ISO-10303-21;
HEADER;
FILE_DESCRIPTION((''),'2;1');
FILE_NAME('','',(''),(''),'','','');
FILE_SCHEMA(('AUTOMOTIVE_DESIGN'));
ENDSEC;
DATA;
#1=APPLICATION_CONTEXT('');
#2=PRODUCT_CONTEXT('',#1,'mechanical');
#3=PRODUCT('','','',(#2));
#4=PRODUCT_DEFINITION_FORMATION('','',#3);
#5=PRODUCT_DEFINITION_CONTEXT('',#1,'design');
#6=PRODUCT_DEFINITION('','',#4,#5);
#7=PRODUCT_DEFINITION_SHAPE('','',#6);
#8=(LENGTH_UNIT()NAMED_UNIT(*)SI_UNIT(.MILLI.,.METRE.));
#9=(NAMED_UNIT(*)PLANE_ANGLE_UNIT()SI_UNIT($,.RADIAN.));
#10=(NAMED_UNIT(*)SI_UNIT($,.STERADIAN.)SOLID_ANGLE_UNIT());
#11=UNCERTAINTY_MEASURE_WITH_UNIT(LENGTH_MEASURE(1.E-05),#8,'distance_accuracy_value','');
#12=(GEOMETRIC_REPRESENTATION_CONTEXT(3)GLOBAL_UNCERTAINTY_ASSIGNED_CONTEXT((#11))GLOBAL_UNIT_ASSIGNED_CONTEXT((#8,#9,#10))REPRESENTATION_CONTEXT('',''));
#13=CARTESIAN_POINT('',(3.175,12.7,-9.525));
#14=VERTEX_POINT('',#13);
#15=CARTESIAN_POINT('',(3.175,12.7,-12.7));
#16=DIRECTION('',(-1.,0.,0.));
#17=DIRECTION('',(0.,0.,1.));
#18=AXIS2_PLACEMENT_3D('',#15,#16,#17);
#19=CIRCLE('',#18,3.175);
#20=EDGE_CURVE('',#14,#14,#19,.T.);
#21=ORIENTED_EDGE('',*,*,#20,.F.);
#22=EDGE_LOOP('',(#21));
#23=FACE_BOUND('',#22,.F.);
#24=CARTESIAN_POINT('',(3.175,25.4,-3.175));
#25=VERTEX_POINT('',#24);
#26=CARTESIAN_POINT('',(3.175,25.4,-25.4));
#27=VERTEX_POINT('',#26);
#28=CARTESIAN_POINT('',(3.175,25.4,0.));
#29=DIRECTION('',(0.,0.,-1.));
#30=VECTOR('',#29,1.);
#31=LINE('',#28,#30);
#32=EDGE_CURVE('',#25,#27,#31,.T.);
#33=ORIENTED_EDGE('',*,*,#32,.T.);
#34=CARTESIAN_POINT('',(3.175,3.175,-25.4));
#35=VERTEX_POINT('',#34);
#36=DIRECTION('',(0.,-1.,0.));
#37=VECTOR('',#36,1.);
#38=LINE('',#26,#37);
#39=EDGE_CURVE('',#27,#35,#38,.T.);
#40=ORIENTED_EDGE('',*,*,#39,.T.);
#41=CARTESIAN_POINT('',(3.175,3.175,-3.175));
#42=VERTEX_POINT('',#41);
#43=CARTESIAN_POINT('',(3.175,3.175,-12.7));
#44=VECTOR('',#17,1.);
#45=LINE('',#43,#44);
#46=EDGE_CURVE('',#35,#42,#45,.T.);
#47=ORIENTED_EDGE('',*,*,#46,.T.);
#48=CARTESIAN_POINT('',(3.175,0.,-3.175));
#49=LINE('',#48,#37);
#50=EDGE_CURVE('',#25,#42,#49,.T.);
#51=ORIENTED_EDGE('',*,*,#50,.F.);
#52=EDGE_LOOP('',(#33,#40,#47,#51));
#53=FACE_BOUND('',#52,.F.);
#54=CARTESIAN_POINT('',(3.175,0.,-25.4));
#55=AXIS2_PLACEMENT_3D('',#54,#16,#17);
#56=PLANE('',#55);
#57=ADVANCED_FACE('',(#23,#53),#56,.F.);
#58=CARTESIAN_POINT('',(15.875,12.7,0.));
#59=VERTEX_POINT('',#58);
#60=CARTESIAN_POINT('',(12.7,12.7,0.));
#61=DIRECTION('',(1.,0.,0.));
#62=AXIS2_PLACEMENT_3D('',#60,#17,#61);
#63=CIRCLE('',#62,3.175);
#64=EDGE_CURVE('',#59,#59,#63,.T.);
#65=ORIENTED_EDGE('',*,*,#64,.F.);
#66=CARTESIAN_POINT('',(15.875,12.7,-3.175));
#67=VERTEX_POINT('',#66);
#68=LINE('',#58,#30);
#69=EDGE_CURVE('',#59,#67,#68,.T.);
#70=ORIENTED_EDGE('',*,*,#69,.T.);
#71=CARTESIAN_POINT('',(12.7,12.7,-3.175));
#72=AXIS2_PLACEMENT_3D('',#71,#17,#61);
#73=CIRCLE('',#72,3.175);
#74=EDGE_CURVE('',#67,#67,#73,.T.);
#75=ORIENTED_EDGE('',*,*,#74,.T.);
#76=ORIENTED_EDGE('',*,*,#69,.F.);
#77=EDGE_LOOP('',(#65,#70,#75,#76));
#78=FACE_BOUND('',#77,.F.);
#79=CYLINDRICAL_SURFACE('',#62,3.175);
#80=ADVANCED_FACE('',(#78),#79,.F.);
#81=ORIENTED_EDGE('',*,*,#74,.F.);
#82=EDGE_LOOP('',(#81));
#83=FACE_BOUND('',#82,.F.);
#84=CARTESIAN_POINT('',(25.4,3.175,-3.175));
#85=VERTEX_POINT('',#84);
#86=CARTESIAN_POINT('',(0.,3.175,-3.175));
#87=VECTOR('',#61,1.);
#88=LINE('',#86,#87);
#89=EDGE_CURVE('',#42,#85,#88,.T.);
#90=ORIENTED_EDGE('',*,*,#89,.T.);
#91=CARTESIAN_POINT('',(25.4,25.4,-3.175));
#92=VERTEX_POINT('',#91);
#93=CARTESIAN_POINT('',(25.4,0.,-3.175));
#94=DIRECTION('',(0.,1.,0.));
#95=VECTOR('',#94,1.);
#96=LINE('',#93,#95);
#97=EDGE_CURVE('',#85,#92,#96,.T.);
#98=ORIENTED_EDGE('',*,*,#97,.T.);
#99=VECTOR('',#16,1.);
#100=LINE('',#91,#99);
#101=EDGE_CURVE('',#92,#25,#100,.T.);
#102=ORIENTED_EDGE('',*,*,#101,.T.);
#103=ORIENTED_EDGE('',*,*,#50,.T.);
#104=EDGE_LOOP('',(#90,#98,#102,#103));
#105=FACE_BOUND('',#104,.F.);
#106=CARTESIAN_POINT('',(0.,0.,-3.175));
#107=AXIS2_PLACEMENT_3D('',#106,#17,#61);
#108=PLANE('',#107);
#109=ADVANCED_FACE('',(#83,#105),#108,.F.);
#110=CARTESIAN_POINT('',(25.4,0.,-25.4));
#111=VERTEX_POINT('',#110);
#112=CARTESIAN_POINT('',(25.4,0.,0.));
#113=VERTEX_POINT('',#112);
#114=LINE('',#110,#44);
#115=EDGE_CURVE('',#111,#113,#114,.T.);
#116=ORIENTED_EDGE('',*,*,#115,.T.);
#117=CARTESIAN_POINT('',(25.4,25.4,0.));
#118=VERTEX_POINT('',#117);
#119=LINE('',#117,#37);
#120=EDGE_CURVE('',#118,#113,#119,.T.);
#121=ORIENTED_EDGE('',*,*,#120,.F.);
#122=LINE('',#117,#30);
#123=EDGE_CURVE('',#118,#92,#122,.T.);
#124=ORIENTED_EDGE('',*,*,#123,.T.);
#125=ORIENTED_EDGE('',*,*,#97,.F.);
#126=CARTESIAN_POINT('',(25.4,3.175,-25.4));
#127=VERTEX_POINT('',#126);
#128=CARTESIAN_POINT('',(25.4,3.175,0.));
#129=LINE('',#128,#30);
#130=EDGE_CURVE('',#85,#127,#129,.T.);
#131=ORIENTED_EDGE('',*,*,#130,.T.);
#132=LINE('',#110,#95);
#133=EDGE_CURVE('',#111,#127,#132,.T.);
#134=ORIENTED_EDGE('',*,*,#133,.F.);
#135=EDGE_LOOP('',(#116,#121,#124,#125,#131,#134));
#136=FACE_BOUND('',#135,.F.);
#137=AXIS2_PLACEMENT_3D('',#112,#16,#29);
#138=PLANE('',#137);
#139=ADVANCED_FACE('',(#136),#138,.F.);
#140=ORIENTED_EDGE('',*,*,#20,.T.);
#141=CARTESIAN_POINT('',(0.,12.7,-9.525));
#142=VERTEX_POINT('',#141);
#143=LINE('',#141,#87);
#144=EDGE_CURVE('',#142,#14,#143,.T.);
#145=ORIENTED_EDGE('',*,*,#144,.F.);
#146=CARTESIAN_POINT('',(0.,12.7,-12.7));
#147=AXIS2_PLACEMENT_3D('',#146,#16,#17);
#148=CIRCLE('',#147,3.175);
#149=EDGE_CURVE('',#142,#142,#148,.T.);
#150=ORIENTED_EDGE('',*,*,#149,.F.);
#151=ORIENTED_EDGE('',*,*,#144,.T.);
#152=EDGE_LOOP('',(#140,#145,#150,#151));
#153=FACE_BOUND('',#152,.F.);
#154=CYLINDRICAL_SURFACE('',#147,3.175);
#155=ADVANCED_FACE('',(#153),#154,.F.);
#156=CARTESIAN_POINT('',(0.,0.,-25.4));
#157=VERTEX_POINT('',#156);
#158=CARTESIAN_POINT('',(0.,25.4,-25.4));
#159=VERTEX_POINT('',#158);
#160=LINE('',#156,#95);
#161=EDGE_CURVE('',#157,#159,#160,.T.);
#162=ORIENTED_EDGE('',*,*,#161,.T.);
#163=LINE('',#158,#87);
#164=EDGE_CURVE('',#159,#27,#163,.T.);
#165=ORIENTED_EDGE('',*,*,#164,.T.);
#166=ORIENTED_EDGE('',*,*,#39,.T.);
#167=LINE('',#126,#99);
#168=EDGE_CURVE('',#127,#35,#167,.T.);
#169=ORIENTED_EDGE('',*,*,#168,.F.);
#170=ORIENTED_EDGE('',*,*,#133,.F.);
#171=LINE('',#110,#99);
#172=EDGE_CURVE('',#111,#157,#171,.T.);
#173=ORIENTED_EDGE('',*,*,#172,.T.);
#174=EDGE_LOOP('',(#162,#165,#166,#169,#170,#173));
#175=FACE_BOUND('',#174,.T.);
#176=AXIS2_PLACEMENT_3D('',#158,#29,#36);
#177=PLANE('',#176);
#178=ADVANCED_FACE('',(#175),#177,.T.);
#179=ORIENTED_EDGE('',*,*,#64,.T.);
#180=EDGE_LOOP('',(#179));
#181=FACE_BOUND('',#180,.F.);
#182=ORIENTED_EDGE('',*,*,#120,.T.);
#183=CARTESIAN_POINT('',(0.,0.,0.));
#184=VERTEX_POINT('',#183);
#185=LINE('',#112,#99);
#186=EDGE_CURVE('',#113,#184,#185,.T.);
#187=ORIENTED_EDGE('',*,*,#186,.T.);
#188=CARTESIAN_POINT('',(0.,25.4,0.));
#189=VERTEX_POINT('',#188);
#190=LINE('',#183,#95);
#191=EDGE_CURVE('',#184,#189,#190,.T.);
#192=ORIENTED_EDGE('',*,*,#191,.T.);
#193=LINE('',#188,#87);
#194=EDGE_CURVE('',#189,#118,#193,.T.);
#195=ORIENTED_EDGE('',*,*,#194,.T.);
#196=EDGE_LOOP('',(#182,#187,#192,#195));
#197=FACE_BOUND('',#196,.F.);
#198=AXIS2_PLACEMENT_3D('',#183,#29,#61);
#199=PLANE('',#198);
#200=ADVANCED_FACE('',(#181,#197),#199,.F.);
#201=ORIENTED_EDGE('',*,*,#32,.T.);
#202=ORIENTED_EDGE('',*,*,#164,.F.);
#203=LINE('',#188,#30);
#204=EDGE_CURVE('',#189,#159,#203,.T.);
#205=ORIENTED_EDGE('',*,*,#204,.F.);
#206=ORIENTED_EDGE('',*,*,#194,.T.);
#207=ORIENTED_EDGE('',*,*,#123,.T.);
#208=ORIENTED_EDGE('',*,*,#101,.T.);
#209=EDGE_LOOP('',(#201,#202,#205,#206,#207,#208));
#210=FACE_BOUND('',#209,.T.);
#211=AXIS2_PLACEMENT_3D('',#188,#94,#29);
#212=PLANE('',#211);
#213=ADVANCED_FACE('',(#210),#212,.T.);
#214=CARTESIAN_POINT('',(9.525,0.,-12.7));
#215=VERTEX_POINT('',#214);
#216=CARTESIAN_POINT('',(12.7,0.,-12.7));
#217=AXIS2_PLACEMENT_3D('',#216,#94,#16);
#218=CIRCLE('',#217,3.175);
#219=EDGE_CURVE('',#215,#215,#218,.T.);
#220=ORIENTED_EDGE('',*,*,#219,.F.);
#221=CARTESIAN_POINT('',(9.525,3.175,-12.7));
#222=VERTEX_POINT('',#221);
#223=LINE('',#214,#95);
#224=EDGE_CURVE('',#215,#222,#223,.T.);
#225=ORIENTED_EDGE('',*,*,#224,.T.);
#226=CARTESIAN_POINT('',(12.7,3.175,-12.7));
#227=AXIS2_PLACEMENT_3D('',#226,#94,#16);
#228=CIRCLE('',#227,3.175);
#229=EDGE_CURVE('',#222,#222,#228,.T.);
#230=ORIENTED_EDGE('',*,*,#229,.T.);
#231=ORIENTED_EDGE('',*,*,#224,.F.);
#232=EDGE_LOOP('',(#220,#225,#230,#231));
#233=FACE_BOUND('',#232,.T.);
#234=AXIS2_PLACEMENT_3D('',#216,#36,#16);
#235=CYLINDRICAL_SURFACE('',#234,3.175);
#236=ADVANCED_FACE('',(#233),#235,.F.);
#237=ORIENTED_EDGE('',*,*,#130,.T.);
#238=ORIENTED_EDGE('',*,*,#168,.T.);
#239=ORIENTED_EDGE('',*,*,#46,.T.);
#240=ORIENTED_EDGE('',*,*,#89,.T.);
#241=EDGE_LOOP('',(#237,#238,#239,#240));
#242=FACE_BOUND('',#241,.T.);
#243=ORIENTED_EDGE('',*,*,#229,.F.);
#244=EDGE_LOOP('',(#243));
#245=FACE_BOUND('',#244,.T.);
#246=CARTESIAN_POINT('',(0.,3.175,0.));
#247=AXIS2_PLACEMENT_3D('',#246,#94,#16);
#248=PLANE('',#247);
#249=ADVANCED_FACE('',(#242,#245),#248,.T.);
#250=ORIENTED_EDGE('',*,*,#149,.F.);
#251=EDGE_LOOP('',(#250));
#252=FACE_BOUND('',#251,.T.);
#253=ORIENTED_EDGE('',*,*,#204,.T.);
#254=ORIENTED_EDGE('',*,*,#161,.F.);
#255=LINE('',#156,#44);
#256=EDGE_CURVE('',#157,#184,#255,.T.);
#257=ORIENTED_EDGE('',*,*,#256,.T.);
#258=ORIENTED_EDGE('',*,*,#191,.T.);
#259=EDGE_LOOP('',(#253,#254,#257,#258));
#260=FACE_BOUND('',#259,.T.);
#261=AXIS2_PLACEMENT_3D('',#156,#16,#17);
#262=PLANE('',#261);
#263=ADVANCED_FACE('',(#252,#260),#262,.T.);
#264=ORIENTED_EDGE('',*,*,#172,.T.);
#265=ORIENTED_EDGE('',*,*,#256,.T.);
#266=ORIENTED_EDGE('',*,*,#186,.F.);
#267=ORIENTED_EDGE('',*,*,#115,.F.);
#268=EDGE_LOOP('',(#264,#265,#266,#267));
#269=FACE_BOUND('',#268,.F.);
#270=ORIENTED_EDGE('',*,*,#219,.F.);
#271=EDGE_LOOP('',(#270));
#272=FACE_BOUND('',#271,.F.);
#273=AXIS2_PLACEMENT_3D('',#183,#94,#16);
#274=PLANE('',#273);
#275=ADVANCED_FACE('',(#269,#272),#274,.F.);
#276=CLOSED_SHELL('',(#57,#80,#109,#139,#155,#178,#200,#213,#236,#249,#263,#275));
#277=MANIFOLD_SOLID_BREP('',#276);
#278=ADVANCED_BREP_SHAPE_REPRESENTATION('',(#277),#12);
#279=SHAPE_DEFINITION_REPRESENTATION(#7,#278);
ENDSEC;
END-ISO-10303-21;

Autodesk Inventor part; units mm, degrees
ref_plane "YZ Plane" through (0, 0, 0) normal (1, 0, 0) x (0, 1, 0)
ref_plane "XZ Plane" through (0, 0, 0) normal (0, 1, 0) x (-1, 0, 0)
ref_plane "XY Plane" through (0, 0, 0) normal (0, 0, 1) x (1, 0, 0)
sketch "Sketch1" plane through (0, 0, 0) normal (0, 1, 0) x (-1, 0, 0)
  line L0 (0, 0) -> (-25.4, 0)
  line L1 (-25.4, 0) -> (-25.4, -25.4)
  line L2 (-25.4, -25.4) -> (0, -25.4)
  line L3 (0, -25.4) -> (0, 0)
  line L4 (0, 0) -> (-25.4, -25.4) construction
  line L5 (0, -25.4) -> (-25.4, 0) construction
  circle A0 centre (-12.7, -12.7) radius 3.175
  dimension "d0" = 25.4
  dimension "d1" = 25.4
  dimension "d2" = 6.35
extrude "Extrusion1" add sketch "Sketch1" along normal blind 3.175
sketch "Sketch2" plane through (0, 0, 0) normal (0, 0, 1) x (1, 0, 0)
  line L0 (0, 0) -> (0, 3.175) projected
  line L1 (0, 0) -> (25.4, 0)
  line L2 (25.4, 0) -> (25.4, 25.4)
  line L3 (25.4, 25.4) -> (0, 25.4)
  line L4 (0, 25.4) -> (0, 0)
  line L5 (25.4, 0) -> (25.4, 3.175) construction
  line L6 (0, 25.4) -> (25.4, 0) construction
  line L7 (25.4, 25.4) -> (0, 0) construction
  circle A0 centre (12.7, 12.7) radius 3.175
  dimension "d5" = 25.4
  dimension "d6" = 25.4
  dimension "d7" = 6.35
extrude "Extrusion2" add sketch "Sketch2" against normal blind 3.175
sketch "Sketch3" plane through (0, 0, -25.4) normal (-1, 0, 0) x (0, 0, 1)
  line L0 (0, 0) -> (25.4, 0) projected
  line L1 (25.4, 0) -> (25.4, 25.4) projected
  line L2 (0, 0) -> (25.4, 0)
  line L3 (25.4, 0) -> (25.4, 25.4)
  line L4 (25.4, 25.4) -> (0, 25.4)
  line L5 (0, 25.4) -> (0, 0)
  line L6 (0, 25.4) -> (25.4, 0) construction
  line L7 (25.4, 25.4) -> (0, 0) construction
  circle A0 centre (12.7, 12.7) radius 3.175
  dimension "d10" = 25.4
  dimension "d11" = 6.35
extrude "Extrusion3" add sketch "Sketch3" against normal blind 3.175
properties part number "MountingBracket"
